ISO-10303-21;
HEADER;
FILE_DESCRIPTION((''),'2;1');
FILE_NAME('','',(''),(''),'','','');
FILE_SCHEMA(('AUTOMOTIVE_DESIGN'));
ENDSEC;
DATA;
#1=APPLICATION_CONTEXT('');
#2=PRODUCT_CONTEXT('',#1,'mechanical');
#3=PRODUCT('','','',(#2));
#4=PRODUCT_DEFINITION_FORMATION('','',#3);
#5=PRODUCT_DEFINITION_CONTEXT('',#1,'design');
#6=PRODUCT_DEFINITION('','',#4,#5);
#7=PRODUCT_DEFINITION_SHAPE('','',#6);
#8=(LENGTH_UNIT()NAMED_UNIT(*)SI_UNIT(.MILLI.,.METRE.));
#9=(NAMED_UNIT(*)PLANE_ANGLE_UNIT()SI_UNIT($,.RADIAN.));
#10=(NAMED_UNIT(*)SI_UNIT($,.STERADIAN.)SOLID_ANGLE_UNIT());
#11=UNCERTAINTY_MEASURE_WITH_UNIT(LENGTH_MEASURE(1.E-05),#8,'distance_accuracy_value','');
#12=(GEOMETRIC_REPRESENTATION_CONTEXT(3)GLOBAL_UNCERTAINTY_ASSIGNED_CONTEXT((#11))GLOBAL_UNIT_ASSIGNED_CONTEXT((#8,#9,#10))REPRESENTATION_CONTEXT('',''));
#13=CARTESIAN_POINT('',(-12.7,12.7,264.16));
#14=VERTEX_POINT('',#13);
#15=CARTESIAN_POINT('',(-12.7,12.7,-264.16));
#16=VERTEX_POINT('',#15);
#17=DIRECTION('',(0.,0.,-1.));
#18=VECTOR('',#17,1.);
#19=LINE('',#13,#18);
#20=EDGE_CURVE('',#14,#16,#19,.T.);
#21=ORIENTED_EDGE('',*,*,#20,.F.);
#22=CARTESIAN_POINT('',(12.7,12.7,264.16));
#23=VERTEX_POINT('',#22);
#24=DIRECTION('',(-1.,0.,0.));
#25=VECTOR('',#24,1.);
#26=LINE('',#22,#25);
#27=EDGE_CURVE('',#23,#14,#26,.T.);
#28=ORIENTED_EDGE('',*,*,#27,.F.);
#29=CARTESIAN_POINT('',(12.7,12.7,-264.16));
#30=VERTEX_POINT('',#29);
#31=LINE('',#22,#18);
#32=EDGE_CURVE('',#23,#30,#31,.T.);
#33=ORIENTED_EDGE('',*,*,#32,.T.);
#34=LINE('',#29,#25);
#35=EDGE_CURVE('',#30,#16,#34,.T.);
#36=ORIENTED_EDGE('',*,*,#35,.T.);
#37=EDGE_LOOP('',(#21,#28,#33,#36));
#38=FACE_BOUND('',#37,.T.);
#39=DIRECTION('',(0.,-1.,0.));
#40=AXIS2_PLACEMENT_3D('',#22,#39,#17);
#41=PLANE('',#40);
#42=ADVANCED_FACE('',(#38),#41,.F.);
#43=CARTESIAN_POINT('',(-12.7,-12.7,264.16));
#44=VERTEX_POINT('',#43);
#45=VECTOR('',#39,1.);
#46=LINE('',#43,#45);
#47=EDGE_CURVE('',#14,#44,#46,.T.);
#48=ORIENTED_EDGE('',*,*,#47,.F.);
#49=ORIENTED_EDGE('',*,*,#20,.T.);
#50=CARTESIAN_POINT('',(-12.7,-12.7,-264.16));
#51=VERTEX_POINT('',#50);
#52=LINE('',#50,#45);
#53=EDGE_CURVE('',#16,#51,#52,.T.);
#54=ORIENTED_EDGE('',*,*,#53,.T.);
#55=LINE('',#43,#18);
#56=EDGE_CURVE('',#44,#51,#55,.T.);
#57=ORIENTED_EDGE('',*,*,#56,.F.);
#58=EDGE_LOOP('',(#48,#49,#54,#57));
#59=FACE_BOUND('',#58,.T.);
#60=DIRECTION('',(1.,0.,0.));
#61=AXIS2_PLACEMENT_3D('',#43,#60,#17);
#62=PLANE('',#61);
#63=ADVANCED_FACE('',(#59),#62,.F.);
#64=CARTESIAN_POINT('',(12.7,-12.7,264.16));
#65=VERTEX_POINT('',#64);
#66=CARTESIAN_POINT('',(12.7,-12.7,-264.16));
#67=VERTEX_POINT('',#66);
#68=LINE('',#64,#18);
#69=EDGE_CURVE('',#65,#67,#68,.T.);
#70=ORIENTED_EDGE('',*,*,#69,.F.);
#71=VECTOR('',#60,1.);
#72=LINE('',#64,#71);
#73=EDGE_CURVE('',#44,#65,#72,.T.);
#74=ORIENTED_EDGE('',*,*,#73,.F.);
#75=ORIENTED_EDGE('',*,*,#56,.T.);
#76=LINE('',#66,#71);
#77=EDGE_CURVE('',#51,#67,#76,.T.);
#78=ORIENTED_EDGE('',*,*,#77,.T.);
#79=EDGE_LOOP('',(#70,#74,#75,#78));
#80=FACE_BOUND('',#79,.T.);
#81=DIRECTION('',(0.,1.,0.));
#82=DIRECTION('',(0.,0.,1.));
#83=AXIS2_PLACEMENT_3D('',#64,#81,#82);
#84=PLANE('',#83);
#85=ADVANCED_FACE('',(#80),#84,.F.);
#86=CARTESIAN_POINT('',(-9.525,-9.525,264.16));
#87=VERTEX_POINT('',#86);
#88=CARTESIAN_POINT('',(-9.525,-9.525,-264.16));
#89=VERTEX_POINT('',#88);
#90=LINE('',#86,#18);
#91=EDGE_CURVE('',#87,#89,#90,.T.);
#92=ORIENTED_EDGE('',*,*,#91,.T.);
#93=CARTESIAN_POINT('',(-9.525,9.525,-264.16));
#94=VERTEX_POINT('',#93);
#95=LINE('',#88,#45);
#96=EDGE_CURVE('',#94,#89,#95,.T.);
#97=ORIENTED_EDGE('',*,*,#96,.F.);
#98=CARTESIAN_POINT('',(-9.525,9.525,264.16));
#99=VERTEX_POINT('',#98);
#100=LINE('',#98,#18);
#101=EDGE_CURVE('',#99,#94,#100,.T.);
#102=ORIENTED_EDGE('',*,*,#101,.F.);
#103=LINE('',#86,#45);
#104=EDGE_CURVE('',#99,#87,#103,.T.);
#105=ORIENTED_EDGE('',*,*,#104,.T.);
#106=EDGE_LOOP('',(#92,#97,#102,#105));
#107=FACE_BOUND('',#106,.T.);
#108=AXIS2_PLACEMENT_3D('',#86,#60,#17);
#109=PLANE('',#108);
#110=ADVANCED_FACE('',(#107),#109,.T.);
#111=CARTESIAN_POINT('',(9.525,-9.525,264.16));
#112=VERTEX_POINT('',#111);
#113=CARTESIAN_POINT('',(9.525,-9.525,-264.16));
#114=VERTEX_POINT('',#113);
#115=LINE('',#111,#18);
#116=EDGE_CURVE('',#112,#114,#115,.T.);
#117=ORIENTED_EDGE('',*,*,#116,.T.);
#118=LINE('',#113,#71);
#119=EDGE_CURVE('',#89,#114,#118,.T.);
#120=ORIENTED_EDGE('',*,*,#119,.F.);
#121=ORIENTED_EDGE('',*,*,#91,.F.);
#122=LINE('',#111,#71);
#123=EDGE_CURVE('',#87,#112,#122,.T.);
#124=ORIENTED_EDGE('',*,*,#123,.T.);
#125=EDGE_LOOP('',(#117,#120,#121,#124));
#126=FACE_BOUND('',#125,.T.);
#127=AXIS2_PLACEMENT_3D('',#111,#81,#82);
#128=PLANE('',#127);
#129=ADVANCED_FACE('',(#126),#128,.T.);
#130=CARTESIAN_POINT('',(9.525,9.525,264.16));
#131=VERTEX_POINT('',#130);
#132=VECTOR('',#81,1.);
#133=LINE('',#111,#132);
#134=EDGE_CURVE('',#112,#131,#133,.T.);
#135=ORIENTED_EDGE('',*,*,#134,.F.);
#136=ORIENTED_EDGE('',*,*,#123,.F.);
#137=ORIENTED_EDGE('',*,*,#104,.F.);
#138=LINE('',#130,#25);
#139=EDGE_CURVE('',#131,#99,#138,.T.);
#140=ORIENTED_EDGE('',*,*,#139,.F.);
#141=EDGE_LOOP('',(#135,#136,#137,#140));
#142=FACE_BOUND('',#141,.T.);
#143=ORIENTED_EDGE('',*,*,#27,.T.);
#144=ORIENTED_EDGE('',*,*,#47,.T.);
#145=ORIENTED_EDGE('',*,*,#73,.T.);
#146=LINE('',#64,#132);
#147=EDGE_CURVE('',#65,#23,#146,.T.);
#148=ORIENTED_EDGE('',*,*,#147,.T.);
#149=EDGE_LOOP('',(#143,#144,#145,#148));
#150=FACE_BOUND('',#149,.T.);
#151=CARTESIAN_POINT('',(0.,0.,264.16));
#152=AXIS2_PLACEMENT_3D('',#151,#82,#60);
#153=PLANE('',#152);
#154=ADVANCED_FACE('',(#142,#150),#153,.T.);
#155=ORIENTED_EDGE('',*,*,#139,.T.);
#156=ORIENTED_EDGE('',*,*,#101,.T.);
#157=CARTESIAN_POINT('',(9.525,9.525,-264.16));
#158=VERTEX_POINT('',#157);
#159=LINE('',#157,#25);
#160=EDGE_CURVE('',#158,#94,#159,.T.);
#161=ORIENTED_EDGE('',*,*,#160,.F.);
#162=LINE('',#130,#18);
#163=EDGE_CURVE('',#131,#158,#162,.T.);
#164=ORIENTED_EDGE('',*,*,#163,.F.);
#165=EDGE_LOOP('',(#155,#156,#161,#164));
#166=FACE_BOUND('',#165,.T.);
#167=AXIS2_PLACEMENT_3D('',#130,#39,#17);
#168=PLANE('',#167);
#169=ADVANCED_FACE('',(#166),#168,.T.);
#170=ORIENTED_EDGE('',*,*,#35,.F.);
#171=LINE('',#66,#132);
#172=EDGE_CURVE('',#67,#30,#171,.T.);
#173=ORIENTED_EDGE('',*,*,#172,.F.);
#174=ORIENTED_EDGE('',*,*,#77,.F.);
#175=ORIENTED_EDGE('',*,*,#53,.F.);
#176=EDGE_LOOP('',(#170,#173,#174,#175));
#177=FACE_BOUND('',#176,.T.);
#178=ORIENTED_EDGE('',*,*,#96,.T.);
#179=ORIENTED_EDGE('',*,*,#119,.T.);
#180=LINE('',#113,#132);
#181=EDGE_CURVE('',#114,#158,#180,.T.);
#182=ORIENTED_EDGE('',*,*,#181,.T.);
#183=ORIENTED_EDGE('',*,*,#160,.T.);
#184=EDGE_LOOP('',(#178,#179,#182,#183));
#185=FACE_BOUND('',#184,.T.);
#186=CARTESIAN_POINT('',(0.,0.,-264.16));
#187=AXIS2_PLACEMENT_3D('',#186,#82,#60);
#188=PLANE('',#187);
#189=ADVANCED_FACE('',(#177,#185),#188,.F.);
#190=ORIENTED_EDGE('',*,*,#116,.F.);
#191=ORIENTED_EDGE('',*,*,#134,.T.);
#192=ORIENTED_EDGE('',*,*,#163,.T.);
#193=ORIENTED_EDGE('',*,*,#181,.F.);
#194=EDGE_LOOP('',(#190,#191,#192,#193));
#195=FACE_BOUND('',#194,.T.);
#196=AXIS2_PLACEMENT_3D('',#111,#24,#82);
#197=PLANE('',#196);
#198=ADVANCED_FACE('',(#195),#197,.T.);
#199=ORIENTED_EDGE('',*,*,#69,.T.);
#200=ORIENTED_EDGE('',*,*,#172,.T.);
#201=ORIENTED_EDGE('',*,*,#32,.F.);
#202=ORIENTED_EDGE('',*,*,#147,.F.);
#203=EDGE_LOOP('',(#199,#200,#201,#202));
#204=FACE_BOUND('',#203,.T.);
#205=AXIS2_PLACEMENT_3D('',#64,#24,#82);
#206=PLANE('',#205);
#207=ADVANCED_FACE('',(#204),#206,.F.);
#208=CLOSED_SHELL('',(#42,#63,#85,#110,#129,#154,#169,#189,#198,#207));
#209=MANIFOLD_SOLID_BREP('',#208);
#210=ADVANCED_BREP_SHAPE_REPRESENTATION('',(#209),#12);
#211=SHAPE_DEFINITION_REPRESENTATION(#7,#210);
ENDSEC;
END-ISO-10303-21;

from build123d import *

# Parameters (mm, degrees)
BOSS_EXTRUDE1_DEPTH      = 264.16
BOSS_EXTRUDE1_DEPTH_BACK = 264.16
SKETCH3_W                = 25.4
SKETCH3_H                = 25.4
SKETCH3_W_2              = 19.05
SKETCH3_H_2              = 19.05


with BuildPart() as part:
    # Sketch3 → Boss-Extrude1 (new, two sides: drawn at the far end of the back side and taken through both)
    with BuildSketch(Plane.XY.offset(-BOSS_EXTRUDE1_DEPTH_BACK)):
        Rectangle(SKETCH3_W, SKETCH3_H)
        Rectangle(SKETCH3_W_2, SKETCH3_H_2, mode=Mode.SUBTRACT)
    extrude(amount=BOSS_EXTRUDE1_DEPTH + BOSS_EXTRUDE1_DEPTH_BACK)


solid = part.part
